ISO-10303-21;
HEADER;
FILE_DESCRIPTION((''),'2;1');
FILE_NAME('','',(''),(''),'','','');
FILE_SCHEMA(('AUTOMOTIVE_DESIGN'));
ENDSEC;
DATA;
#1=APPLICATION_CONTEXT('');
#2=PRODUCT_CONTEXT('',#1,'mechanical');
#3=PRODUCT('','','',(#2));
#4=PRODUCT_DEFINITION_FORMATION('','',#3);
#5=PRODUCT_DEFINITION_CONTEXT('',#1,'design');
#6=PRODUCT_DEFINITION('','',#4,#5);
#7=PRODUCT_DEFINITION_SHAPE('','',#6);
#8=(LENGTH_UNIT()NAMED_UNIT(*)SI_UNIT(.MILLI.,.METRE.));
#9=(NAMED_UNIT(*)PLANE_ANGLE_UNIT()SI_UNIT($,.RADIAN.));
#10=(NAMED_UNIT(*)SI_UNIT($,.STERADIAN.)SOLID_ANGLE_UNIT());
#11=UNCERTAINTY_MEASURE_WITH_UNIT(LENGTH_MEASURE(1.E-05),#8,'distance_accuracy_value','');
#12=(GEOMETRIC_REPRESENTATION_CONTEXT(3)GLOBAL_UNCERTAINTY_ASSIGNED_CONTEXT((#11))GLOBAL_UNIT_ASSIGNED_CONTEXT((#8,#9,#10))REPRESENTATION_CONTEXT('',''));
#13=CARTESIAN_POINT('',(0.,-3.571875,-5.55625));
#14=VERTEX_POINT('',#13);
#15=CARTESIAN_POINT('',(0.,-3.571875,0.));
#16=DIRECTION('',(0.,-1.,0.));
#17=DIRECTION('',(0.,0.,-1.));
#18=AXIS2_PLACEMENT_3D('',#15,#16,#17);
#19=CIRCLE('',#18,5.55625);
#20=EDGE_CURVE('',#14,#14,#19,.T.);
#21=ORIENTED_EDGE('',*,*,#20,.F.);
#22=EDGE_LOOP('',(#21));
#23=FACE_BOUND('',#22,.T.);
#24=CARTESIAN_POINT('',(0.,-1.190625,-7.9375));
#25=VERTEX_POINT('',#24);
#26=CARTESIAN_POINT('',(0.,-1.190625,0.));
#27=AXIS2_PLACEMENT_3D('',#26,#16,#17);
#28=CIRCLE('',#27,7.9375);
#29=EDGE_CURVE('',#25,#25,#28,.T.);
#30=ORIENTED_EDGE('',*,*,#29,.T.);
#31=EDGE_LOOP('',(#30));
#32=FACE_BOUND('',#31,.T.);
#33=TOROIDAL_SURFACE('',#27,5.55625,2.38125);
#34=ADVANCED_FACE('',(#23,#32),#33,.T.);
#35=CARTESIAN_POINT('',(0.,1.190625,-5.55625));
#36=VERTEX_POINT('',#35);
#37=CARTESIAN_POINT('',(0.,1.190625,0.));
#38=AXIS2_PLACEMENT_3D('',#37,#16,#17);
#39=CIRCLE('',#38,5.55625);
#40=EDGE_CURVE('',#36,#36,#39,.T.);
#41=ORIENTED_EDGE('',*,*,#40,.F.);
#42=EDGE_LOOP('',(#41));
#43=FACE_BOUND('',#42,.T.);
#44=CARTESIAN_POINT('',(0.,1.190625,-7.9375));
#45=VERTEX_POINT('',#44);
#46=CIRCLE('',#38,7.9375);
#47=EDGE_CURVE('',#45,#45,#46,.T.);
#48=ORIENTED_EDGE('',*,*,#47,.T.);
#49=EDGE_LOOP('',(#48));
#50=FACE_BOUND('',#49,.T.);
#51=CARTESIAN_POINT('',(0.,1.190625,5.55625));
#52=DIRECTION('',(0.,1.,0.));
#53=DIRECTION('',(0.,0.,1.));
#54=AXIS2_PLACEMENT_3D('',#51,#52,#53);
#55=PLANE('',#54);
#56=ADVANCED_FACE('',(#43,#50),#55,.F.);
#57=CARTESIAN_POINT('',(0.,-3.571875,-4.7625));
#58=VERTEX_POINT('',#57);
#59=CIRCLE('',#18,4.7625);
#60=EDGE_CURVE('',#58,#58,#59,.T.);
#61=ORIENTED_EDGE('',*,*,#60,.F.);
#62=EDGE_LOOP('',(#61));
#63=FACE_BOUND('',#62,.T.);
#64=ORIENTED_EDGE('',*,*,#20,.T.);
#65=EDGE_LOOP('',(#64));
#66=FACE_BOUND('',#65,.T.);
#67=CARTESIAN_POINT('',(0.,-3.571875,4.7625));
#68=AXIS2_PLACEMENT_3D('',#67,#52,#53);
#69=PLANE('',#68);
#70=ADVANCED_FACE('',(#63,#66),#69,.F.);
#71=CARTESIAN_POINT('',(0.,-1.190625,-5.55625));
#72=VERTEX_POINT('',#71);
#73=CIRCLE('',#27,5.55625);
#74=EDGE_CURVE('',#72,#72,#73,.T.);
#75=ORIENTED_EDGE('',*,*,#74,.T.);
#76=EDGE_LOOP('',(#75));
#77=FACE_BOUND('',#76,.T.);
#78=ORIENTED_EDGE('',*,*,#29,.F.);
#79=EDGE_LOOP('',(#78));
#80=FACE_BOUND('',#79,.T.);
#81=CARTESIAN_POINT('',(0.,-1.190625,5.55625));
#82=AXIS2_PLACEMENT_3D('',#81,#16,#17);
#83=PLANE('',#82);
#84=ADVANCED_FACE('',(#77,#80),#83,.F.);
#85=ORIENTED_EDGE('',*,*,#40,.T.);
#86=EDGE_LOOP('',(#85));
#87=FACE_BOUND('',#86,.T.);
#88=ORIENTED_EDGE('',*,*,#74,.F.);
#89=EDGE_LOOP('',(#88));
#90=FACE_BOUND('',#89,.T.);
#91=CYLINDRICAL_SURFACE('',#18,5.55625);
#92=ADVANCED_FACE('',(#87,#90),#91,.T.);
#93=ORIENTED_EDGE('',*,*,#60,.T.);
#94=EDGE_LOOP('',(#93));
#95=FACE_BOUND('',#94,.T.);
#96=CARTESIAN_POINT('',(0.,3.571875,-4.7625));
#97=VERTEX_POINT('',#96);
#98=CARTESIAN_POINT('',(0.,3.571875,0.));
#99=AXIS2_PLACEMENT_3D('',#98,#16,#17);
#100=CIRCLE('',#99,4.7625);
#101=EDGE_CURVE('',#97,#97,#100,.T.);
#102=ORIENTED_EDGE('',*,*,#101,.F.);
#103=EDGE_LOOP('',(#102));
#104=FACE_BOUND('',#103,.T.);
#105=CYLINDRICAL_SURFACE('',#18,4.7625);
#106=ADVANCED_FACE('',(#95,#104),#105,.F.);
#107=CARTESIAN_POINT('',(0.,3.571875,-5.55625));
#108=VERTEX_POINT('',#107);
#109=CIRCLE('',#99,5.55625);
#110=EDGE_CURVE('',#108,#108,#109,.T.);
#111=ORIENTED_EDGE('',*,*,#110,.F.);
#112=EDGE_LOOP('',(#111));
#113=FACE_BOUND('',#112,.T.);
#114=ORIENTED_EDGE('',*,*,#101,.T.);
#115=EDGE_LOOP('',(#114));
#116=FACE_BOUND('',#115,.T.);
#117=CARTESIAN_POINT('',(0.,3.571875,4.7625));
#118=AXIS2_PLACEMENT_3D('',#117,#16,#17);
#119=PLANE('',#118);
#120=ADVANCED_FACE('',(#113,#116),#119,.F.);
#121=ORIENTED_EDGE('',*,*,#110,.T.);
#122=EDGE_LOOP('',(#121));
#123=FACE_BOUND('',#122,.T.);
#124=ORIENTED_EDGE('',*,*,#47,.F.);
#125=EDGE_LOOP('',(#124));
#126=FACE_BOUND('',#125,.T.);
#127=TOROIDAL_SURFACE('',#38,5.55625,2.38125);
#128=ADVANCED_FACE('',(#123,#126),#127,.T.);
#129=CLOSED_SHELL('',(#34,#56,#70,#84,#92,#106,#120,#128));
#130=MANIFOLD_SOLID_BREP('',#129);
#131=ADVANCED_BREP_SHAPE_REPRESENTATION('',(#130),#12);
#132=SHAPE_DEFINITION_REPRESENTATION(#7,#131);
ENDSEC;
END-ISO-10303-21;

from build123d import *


with BuildPart() as part:
    # Sketch2 → Revolve1 (revolve)
    with BuildSketch(Plane(origin=(0, 0, 0), x_dir=(0, 0, -1), z_dir=(1, 0, 0)), mode=Mode.PRIVATE) as revolve1_sk:
        with BuildLine():
            Line((-4.7625, -3.571875), (-4.7625, 3.571875))
            Line((-4.7625, 3.571875), (-5.55625, 3.571875))
            ThreePointArc((-5.55625, 3.571875), (-7.240048023, 2.874423023), (-7.9375, 1.190625))
            Line((-7.9375, 1.190625), (-5.55625, 1.190625))
            Line((-5.55625, 1.190625), (-5.55625, -1.190625))
            Line((-5.55625, -1.190625), (-7.9375, -1.190625))
            ThreePointArc((-7.9375, -1.190625), (-7.240048023, -2.874423023), (-5.55625, -3.571875))
            Line((-5.55625, -3.571875), (-4.7625, -3.571875))
        make_face()
    revolve(revolve1_sk.sketch.rotate(Axis((0, -3.571875, 0), (0, 1, 0)), 180), axis=Axis((0, -3.571875, 0), (0, 1, 0)))


solid = part.part
